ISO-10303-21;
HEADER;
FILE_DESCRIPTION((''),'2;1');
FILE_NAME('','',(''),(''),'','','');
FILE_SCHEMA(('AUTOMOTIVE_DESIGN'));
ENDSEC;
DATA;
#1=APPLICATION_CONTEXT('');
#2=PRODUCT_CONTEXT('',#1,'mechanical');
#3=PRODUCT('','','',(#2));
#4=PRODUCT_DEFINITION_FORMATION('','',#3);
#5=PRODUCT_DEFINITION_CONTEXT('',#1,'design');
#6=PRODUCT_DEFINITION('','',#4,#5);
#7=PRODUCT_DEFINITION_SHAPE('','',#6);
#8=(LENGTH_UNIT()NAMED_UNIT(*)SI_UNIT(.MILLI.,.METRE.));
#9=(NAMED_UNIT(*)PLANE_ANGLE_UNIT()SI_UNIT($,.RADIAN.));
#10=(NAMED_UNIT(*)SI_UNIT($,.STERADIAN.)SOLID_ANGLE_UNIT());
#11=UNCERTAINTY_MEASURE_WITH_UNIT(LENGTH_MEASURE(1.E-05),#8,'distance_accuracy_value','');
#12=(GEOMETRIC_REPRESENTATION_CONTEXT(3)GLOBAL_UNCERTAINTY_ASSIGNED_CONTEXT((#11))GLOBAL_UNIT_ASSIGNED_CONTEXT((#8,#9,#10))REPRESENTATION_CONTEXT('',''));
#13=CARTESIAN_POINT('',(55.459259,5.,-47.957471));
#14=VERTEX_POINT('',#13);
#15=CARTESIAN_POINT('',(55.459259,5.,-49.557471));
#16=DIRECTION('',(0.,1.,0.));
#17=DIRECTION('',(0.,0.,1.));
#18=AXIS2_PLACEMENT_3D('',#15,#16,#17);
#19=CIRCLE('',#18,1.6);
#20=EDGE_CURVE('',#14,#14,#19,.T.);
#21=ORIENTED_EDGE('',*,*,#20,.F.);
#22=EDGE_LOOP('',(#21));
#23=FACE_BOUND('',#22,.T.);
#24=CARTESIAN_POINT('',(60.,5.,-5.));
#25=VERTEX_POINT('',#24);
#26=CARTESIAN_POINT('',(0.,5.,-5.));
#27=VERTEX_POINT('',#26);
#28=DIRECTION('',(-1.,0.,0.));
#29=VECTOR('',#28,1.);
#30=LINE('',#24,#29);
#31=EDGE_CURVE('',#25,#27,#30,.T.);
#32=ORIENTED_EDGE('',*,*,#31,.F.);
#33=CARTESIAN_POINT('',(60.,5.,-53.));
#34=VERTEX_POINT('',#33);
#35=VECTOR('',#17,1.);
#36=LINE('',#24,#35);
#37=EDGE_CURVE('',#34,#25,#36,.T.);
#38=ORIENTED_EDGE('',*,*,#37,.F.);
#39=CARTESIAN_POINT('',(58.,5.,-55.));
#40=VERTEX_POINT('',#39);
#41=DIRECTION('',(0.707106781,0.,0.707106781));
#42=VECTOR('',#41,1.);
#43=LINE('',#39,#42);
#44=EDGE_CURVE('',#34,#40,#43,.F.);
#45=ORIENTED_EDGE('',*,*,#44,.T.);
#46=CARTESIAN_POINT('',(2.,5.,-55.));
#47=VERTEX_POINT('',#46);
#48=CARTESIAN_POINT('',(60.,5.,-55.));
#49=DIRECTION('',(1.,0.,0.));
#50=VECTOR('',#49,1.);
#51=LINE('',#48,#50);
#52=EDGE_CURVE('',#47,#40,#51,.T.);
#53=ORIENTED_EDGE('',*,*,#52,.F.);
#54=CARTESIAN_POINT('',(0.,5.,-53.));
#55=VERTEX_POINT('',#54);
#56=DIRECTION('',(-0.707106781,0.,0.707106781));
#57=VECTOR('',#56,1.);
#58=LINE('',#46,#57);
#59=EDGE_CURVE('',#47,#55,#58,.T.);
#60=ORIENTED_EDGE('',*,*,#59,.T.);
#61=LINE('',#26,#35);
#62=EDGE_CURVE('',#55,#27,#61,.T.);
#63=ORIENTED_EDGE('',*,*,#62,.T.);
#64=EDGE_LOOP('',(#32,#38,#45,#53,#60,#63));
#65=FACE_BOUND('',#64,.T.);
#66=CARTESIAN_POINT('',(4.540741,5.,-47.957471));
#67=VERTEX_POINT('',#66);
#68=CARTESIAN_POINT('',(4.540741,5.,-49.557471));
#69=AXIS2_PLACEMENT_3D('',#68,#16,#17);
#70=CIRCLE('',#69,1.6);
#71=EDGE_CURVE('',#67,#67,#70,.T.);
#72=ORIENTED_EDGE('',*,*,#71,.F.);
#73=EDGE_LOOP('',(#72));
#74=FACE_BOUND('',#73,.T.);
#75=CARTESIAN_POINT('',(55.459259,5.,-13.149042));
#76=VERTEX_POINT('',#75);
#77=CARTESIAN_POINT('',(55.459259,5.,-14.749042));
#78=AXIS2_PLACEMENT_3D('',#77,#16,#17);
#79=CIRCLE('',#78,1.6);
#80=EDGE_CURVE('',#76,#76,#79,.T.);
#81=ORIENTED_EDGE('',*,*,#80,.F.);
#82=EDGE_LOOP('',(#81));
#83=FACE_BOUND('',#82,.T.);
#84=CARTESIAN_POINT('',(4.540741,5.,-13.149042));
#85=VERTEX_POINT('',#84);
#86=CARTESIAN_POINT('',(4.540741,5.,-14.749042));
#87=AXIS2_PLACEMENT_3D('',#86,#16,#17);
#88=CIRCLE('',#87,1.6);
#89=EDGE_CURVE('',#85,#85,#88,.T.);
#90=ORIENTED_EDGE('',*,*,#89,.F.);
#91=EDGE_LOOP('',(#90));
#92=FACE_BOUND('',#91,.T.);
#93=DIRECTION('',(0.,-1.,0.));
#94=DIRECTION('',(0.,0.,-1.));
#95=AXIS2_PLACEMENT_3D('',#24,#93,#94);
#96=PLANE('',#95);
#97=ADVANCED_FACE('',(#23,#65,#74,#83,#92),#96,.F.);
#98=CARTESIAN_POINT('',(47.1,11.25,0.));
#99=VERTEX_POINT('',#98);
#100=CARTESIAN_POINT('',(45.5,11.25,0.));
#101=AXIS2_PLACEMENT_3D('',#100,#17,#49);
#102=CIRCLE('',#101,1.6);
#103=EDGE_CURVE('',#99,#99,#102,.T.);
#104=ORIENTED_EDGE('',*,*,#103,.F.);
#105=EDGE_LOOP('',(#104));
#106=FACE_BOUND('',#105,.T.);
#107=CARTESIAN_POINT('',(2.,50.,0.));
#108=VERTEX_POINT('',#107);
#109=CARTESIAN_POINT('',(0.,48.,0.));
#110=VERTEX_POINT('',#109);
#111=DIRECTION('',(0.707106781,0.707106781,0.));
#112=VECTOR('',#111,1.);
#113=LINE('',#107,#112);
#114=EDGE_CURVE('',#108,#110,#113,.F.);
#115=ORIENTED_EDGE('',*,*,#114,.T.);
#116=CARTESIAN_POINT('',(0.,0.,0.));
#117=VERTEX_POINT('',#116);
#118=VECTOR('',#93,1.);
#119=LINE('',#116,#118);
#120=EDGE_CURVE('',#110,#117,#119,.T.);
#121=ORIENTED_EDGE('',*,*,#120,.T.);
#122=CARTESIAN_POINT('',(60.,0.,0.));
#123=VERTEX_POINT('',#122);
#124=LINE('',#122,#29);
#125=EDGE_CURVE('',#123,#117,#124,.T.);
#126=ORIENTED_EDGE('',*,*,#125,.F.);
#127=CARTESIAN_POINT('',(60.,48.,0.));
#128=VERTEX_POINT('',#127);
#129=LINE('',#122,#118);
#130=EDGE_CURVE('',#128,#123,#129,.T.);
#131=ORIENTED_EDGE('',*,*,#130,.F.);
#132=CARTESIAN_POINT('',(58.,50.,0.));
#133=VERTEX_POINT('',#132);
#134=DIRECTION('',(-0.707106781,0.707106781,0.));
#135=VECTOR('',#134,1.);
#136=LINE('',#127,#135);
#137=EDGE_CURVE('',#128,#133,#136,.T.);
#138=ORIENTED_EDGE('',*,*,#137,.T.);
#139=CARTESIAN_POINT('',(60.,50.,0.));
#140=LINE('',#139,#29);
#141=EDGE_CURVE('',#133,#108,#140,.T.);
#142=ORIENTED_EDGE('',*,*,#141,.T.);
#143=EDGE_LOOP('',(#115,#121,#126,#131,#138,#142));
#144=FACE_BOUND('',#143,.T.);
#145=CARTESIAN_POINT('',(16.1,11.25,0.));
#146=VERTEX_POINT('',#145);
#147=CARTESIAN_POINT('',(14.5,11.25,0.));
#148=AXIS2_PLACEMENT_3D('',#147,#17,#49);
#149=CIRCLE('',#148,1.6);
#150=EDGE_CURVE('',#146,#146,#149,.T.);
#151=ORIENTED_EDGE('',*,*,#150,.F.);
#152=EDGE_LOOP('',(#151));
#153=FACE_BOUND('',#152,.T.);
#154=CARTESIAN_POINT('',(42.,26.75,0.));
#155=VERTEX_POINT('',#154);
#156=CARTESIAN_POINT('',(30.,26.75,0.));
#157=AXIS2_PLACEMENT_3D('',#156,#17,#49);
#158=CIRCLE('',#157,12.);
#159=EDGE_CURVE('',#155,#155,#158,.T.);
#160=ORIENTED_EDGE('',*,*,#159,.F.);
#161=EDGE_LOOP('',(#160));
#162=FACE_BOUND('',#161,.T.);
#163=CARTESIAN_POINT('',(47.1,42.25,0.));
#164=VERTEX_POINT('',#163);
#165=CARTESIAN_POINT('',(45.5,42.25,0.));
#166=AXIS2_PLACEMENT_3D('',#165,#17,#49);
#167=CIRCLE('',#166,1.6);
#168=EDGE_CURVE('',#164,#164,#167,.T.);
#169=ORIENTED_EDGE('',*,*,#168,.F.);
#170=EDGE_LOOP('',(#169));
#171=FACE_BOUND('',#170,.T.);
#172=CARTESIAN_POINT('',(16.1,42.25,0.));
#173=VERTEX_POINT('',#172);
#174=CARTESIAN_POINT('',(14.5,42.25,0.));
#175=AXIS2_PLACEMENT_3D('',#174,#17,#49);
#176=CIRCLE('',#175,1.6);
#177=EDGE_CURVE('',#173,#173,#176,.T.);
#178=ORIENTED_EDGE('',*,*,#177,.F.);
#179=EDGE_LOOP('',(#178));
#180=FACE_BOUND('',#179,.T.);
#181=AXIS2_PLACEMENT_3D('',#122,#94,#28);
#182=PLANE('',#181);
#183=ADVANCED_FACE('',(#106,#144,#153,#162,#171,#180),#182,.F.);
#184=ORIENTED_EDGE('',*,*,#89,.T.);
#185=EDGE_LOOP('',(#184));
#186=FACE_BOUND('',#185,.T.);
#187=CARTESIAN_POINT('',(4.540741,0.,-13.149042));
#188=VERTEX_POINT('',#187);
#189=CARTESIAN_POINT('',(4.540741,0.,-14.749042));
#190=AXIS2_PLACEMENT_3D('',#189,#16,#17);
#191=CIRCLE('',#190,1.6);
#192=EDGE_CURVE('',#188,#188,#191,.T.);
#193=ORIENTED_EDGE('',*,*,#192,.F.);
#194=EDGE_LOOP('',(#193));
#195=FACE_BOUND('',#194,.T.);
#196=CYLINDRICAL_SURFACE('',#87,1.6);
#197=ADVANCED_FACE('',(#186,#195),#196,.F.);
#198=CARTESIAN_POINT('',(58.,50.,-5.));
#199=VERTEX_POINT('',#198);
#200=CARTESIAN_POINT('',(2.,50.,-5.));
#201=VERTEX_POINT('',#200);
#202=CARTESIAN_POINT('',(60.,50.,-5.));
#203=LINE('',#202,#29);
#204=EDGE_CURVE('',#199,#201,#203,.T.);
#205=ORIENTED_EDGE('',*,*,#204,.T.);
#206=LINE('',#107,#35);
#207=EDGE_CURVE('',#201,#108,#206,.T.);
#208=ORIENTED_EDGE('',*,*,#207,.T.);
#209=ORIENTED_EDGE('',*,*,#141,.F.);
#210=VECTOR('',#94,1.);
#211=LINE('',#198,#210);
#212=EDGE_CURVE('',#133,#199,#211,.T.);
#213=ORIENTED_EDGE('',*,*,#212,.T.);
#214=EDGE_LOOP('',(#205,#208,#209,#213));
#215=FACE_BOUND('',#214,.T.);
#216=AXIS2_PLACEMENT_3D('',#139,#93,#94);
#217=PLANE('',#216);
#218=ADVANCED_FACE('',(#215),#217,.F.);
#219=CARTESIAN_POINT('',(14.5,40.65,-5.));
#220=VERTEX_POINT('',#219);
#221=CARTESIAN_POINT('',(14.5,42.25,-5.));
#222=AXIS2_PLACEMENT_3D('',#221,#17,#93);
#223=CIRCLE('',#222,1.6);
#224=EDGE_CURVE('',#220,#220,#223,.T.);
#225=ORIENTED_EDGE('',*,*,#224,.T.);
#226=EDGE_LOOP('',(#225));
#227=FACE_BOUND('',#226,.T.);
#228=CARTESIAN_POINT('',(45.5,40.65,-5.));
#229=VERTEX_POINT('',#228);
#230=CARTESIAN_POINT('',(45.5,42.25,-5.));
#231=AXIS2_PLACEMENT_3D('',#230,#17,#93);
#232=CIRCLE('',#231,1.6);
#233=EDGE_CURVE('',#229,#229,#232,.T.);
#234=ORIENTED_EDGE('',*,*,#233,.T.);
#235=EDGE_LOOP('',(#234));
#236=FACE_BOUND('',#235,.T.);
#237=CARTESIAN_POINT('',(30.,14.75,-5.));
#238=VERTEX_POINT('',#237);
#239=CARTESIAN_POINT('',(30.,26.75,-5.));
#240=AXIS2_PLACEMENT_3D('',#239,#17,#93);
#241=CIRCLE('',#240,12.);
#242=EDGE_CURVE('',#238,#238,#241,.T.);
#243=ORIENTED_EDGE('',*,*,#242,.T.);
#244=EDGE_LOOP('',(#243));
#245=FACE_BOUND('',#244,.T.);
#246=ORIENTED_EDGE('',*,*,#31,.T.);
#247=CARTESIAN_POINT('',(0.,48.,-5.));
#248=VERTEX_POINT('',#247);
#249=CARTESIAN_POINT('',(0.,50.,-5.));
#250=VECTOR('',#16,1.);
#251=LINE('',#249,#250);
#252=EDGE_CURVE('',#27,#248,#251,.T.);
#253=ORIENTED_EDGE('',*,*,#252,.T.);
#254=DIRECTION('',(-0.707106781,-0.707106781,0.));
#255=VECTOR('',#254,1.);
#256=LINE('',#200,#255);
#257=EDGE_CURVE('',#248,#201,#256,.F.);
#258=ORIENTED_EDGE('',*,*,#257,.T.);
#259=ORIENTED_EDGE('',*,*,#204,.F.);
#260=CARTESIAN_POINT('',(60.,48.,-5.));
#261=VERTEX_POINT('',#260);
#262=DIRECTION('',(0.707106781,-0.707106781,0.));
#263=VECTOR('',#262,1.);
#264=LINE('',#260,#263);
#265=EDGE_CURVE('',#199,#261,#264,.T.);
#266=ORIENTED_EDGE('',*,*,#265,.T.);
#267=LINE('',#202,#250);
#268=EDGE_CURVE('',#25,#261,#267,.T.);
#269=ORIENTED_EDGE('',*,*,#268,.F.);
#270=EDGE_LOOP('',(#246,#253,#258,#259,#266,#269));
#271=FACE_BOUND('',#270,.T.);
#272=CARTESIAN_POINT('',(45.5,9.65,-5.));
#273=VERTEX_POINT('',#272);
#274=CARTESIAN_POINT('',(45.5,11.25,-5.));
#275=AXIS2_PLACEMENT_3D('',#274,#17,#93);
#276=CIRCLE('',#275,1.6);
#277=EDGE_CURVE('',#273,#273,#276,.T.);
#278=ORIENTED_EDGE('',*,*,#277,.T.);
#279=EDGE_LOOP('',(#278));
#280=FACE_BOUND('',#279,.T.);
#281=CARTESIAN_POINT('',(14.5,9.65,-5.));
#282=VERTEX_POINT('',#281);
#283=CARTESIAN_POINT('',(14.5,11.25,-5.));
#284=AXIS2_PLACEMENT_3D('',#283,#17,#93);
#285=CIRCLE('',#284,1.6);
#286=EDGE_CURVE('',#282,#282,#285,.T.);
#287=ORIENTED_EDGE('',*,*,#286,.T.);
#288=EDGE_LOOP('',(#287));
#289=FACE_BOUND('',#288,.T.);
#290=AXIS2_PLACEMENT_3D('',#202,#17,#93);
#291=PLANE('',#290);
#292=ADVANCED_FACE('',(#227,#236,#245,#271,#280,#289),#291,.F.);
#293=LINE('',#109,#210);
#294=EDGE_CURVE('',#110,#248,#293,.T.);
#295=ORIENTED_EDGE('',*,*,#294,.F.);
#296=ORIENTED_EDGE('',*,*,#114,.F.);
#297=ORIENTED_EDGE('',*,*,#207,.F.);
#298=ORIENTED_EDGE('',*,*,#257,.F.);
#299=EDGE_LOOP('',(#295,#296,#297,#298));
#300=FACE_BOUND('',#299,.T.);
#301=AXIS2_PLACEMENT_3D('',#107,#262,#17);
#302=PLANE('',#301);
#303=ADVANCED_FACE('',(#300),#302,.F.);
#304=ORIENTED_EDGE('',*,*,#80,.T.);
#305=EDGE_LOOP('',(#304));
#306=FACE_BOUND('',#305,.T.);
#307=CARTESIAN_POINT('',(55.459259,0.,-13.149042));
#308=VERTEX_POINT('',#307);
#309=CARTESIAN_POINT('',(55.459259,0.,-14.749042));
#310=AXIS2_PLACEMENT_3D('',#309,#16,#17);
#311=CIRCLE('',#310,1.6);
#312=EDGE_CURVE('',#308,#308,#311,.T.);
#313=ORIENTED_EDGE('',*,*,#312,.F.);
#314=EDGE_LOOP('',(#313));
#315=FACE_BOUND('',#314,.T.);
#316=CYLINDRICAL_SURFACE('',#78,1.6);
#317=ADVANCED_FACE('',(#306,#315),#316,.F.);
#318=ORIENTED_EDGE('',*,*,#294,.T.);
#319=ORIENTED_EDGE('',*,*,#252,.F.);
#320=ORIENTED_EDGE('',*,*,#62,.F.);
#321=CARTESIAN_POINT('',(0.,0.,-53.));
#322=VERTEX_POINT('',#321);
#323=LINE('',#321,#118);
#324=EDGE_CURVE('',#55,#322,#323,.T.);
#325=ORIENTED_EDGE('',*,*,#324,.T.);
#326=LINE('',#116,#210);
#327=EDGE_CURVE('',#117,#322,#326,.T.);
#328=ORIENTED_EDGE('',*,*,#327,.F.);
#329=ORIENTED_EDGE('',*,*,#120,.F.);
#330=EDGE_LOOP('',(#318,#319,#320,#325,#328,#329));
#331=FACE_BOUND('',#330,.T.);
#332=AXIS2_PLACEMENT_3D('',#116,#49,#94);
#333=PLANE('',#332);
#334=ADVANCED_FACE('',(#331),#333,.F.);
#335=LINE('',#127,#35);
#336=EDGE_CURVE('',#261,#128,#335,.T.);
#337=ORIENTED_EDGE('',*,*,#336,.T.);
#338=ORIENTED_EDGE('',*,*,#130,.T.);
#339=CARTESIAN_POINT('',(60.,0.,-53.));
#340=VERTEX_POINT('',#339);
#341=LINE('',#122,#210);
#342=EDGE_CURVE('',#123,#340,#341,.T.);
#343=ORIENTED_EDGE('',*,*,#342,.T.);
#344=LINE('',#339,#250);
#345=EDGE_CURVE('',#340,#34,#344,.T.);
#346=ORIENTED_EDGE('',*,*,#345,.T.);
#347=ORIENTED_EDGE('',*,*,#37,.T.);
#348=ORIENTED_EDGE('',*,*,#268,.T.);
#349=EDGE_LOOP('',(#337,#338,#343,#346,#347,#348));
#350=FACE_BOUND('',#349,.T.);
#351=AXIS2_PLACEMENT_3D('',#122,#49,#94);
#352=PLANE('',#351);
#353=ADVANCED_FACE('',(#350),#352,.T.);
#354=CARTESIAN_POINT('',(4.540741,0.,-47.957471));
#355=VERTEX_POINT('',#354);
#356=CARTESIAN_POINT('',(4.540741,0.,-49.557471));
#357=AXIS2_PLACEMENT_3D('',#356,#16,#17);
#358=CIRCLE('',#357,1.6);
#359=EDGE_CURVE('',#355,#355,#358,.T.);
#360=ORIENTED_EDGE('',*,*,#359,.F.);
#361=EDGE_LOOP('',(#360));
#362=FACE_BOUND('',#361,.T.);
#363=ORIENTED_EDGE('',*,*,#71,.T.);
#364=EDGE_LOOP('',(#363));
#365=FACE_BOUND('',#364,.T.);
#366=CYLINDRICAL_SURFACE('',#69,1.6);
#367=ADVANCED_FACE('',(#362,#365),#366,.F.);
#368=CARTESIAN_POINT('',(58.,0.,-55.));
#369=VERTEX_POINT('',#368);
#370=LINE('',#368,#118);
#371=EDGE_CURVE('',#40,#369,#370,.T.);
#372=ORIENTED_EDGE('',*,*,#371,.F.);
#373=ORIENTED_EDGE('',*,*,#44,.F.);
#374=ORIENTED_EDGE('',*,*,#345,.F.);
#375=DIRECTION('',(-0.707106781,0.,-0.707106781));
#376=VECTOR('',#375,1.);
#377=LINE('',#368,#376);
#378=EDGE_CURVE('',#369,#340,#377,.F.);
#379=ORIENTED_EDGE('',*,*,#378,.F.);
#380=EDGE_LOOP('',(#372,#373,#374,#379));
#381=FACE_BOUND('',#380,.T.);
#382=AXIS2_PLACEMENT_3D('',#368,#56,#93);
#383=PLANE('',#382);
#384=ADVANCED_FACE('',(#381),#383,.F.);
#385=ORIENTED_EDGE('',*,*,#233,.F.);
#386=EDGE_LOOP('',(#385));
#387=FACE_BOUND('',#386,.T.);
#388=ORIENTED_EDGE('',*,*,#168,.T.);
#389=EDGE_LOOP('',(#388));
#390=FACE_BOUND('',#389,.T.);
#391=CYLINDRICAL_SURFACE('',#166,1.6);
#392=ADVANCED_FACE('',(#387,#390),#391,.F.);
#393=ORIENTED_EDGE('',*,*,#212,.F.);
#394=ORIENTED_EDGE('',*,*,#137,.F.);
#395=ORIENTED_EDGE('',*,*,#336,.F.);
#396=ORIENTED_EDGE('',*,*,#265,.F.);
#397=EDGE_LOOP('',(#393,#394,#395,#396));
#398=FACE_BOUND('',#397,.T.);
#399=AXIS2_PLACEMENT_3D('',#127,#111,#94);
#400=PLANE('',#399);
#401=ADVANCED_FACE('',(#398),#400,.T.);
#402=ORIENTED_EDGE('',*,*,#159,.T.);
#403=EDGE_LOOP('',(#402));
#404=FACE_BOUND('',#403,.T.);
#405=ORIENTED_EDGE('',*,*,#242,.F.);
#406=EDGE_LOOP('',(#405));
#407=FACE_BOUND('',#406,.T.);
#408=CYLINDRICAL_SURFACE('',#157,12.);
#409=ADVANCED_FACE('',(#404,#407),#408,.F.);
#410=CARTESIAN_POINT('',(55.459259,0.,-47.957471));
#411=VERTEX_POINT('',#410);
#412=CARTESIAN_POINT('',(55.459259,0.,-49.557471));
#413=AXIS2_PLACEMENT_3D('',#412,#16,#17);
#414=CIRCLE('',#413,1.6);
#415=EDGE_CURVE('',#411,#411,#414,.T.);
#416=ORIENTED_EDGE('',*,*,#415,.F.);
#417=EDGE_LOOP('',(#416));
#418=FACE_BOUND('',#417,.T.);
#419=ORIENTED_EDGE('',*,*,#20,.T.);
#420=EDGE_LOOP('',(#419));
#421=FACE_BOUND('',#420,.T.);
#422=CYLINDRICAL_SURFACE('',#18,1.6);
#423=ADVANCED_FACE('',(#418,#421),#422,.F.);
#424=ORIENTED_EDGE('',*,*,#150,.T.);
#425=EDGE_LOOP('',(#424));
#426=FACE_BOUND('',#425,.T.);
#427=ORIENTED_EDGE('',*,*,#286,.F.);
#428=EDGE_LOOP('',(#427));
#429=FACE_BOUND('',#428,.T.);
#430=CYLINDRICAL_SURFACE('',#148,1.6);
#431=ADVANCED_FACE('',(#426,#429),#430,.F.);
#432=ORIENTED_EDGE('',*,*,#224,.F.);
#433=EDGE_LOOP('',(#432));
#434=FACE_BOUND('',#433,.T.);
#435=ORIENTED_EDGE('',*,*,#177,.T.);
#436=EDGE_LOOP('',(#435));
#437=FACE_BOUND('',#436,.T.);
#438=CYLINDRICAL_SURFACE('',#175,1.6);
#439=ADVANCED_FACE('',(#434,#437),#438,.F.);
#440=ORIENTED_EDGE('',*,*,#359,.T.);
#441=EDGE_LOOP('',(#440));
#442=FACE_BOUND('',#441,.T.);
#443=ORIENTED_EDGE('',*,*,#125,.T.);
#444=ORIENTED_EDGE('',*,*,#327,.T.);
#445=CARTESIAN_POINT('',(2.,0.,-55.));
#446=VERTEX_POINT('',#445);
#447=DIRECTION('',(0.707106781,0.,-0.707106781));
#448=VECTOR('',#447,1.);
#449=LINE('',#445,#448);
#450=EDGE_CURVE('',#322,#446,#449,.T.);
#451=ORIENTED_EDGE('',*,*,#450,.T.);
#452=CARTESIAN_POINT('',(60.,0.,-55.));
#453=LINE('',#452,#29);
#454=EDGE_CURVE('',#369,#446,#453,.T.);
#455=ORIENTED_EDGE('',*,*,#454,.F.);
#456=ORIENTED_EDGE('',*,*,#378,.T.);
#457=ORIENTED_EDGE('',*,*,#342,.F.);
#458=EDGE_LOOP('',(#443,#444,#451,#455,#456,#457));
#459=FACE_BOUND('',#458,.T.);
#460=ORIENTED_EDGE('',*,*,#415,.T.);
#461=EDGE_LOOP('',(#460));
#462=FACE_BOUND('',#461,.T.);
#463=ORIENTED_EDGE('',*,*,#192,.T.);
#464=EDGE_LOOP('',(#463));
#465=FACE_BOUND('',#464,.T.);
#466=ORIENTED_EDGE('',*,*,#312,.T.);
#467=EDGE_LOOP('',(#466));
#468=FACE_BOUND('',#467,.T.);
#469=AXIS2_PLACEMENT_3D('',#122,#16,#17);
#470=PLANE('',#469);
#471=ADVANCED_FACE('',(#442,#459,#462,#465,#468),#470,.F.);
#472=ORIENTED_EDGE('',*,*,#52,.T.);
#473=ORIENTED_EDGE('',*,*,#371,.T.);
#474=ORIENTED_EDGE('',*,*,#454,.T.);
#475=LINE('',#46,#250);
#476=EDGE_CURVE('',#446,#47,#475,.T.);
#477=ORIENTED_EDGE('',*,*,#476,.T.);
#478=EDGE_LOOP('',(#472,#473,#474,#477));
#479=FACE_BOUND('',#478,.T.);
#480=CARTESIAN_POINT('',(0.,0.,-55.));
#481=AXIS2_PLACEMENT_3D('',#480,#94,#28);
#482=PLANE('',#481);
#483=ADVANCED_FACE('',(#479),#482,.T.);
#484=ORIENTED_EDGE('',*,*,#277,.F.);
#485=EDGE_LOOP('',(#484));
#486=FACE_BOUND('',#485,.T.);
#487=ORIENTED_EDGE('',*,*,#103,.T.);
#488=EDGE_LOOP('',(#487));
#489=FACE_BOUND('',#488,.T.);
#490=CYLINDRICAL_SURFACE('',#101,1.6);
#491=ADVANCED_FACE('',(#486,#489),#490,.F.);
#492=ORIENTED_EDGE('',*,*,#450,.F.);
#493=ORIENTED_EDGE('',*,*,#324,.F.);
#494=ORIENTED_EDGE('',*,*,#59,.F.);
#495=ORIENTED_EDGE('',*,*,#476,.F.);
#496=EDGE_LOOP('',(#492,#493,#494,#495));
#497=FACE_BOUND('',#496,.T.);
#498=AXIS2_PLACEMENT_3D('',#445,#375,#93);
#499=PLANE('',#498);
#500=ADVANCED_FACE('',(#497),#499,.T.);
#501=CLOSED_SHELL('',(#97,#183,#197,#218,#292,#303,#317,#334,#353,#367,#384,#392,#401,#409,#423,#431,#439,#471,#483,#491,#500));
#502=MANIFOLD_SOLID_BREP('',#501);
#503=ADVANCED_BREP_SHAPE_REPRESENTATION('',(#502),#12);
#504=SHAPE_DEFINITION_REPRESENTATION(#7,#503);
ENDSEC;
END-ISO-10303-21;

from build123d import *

# Parameters (mm, degrees)
EXTRUDE_1_DEPTH     = 60
HOLE_WIZARD_2_D     = 24
HOLE_WIZARD_3_D     = 3.2
HOLE_WIZARD_4_D     = 3.2
SKETCH_14_W         = 60
SKETCH_14_H         = 5
CUT_EXTRUDE_1_DEPTH = 5
CHAMFER_1_SIZE      = 2


with BuildPart() as part:
    # 草图1 → 凸台-拉伸1 (new body)
    with BuildSketch(Plane(origin=(0, 0, 0), x_dir=(0, 0, -1), z_dir=(1, 0, 0))):
        Polygon((0, 0), (0, 50), (5, 50), (5, 5), (60, 5), (60, 0), align=None)
    extrude(amount=EXTRUDE_1_DEPTH)

    # 孔2 (through all)
    with Locations(Plane.XY):
        with Locations((30, 26.75)):
            Hole(HOLE_WIZARD_2_D / 2)

    # 孔3 (through all)
    with Locations(Plane.XY):
        with Locations((14.5, 42.25), (45.5, 42.25), (45.5, 11.25), (14.5, 11.25)):
            Hole(HOLE_WIZARD_3_D / 2)

    # 孔4 (through all)
    with Locations(Plane(origin=(0, 5, 0), x_dir=(1, 0, 0), z_dir=(0, 1, 0))):
        with Locations((55.459259259, 14.749042146), (55.459259259, 49.557471264), (4.540740741, 14.749042146), (4.540740741, 49.557471264)):
            Hole(HOLE_WIZARD_4_D / 2)

    # 草图14 → 切除-拉伸1 (cut)
    with BuildSketch(Plane(origin=(0, 0, -60), x_dir=(-1, 0, 0), z_dir=(0, 0, -1))):
        with Locations((-30, 2.5)):
            Rectangle(SKETCH_14_W, SKETCH_14_H)
    extrude(amount=-CUT_EXTRUDE_1_DEPTH, mode=Mode.SUBTRACT)

    # 倒角1
    chamfer_1_edges = [part.edges().sort_by_distance(p)[0] for p in [
        (0, 2.5, -55),
        (60, 50, -2.5),
        (0, 50, -2.5),
        (60, 2.5, -55),
    ]]
    chamfer(chamfer_1_edges, length=CHAMFER_1_SIZE)


solid = part.part
